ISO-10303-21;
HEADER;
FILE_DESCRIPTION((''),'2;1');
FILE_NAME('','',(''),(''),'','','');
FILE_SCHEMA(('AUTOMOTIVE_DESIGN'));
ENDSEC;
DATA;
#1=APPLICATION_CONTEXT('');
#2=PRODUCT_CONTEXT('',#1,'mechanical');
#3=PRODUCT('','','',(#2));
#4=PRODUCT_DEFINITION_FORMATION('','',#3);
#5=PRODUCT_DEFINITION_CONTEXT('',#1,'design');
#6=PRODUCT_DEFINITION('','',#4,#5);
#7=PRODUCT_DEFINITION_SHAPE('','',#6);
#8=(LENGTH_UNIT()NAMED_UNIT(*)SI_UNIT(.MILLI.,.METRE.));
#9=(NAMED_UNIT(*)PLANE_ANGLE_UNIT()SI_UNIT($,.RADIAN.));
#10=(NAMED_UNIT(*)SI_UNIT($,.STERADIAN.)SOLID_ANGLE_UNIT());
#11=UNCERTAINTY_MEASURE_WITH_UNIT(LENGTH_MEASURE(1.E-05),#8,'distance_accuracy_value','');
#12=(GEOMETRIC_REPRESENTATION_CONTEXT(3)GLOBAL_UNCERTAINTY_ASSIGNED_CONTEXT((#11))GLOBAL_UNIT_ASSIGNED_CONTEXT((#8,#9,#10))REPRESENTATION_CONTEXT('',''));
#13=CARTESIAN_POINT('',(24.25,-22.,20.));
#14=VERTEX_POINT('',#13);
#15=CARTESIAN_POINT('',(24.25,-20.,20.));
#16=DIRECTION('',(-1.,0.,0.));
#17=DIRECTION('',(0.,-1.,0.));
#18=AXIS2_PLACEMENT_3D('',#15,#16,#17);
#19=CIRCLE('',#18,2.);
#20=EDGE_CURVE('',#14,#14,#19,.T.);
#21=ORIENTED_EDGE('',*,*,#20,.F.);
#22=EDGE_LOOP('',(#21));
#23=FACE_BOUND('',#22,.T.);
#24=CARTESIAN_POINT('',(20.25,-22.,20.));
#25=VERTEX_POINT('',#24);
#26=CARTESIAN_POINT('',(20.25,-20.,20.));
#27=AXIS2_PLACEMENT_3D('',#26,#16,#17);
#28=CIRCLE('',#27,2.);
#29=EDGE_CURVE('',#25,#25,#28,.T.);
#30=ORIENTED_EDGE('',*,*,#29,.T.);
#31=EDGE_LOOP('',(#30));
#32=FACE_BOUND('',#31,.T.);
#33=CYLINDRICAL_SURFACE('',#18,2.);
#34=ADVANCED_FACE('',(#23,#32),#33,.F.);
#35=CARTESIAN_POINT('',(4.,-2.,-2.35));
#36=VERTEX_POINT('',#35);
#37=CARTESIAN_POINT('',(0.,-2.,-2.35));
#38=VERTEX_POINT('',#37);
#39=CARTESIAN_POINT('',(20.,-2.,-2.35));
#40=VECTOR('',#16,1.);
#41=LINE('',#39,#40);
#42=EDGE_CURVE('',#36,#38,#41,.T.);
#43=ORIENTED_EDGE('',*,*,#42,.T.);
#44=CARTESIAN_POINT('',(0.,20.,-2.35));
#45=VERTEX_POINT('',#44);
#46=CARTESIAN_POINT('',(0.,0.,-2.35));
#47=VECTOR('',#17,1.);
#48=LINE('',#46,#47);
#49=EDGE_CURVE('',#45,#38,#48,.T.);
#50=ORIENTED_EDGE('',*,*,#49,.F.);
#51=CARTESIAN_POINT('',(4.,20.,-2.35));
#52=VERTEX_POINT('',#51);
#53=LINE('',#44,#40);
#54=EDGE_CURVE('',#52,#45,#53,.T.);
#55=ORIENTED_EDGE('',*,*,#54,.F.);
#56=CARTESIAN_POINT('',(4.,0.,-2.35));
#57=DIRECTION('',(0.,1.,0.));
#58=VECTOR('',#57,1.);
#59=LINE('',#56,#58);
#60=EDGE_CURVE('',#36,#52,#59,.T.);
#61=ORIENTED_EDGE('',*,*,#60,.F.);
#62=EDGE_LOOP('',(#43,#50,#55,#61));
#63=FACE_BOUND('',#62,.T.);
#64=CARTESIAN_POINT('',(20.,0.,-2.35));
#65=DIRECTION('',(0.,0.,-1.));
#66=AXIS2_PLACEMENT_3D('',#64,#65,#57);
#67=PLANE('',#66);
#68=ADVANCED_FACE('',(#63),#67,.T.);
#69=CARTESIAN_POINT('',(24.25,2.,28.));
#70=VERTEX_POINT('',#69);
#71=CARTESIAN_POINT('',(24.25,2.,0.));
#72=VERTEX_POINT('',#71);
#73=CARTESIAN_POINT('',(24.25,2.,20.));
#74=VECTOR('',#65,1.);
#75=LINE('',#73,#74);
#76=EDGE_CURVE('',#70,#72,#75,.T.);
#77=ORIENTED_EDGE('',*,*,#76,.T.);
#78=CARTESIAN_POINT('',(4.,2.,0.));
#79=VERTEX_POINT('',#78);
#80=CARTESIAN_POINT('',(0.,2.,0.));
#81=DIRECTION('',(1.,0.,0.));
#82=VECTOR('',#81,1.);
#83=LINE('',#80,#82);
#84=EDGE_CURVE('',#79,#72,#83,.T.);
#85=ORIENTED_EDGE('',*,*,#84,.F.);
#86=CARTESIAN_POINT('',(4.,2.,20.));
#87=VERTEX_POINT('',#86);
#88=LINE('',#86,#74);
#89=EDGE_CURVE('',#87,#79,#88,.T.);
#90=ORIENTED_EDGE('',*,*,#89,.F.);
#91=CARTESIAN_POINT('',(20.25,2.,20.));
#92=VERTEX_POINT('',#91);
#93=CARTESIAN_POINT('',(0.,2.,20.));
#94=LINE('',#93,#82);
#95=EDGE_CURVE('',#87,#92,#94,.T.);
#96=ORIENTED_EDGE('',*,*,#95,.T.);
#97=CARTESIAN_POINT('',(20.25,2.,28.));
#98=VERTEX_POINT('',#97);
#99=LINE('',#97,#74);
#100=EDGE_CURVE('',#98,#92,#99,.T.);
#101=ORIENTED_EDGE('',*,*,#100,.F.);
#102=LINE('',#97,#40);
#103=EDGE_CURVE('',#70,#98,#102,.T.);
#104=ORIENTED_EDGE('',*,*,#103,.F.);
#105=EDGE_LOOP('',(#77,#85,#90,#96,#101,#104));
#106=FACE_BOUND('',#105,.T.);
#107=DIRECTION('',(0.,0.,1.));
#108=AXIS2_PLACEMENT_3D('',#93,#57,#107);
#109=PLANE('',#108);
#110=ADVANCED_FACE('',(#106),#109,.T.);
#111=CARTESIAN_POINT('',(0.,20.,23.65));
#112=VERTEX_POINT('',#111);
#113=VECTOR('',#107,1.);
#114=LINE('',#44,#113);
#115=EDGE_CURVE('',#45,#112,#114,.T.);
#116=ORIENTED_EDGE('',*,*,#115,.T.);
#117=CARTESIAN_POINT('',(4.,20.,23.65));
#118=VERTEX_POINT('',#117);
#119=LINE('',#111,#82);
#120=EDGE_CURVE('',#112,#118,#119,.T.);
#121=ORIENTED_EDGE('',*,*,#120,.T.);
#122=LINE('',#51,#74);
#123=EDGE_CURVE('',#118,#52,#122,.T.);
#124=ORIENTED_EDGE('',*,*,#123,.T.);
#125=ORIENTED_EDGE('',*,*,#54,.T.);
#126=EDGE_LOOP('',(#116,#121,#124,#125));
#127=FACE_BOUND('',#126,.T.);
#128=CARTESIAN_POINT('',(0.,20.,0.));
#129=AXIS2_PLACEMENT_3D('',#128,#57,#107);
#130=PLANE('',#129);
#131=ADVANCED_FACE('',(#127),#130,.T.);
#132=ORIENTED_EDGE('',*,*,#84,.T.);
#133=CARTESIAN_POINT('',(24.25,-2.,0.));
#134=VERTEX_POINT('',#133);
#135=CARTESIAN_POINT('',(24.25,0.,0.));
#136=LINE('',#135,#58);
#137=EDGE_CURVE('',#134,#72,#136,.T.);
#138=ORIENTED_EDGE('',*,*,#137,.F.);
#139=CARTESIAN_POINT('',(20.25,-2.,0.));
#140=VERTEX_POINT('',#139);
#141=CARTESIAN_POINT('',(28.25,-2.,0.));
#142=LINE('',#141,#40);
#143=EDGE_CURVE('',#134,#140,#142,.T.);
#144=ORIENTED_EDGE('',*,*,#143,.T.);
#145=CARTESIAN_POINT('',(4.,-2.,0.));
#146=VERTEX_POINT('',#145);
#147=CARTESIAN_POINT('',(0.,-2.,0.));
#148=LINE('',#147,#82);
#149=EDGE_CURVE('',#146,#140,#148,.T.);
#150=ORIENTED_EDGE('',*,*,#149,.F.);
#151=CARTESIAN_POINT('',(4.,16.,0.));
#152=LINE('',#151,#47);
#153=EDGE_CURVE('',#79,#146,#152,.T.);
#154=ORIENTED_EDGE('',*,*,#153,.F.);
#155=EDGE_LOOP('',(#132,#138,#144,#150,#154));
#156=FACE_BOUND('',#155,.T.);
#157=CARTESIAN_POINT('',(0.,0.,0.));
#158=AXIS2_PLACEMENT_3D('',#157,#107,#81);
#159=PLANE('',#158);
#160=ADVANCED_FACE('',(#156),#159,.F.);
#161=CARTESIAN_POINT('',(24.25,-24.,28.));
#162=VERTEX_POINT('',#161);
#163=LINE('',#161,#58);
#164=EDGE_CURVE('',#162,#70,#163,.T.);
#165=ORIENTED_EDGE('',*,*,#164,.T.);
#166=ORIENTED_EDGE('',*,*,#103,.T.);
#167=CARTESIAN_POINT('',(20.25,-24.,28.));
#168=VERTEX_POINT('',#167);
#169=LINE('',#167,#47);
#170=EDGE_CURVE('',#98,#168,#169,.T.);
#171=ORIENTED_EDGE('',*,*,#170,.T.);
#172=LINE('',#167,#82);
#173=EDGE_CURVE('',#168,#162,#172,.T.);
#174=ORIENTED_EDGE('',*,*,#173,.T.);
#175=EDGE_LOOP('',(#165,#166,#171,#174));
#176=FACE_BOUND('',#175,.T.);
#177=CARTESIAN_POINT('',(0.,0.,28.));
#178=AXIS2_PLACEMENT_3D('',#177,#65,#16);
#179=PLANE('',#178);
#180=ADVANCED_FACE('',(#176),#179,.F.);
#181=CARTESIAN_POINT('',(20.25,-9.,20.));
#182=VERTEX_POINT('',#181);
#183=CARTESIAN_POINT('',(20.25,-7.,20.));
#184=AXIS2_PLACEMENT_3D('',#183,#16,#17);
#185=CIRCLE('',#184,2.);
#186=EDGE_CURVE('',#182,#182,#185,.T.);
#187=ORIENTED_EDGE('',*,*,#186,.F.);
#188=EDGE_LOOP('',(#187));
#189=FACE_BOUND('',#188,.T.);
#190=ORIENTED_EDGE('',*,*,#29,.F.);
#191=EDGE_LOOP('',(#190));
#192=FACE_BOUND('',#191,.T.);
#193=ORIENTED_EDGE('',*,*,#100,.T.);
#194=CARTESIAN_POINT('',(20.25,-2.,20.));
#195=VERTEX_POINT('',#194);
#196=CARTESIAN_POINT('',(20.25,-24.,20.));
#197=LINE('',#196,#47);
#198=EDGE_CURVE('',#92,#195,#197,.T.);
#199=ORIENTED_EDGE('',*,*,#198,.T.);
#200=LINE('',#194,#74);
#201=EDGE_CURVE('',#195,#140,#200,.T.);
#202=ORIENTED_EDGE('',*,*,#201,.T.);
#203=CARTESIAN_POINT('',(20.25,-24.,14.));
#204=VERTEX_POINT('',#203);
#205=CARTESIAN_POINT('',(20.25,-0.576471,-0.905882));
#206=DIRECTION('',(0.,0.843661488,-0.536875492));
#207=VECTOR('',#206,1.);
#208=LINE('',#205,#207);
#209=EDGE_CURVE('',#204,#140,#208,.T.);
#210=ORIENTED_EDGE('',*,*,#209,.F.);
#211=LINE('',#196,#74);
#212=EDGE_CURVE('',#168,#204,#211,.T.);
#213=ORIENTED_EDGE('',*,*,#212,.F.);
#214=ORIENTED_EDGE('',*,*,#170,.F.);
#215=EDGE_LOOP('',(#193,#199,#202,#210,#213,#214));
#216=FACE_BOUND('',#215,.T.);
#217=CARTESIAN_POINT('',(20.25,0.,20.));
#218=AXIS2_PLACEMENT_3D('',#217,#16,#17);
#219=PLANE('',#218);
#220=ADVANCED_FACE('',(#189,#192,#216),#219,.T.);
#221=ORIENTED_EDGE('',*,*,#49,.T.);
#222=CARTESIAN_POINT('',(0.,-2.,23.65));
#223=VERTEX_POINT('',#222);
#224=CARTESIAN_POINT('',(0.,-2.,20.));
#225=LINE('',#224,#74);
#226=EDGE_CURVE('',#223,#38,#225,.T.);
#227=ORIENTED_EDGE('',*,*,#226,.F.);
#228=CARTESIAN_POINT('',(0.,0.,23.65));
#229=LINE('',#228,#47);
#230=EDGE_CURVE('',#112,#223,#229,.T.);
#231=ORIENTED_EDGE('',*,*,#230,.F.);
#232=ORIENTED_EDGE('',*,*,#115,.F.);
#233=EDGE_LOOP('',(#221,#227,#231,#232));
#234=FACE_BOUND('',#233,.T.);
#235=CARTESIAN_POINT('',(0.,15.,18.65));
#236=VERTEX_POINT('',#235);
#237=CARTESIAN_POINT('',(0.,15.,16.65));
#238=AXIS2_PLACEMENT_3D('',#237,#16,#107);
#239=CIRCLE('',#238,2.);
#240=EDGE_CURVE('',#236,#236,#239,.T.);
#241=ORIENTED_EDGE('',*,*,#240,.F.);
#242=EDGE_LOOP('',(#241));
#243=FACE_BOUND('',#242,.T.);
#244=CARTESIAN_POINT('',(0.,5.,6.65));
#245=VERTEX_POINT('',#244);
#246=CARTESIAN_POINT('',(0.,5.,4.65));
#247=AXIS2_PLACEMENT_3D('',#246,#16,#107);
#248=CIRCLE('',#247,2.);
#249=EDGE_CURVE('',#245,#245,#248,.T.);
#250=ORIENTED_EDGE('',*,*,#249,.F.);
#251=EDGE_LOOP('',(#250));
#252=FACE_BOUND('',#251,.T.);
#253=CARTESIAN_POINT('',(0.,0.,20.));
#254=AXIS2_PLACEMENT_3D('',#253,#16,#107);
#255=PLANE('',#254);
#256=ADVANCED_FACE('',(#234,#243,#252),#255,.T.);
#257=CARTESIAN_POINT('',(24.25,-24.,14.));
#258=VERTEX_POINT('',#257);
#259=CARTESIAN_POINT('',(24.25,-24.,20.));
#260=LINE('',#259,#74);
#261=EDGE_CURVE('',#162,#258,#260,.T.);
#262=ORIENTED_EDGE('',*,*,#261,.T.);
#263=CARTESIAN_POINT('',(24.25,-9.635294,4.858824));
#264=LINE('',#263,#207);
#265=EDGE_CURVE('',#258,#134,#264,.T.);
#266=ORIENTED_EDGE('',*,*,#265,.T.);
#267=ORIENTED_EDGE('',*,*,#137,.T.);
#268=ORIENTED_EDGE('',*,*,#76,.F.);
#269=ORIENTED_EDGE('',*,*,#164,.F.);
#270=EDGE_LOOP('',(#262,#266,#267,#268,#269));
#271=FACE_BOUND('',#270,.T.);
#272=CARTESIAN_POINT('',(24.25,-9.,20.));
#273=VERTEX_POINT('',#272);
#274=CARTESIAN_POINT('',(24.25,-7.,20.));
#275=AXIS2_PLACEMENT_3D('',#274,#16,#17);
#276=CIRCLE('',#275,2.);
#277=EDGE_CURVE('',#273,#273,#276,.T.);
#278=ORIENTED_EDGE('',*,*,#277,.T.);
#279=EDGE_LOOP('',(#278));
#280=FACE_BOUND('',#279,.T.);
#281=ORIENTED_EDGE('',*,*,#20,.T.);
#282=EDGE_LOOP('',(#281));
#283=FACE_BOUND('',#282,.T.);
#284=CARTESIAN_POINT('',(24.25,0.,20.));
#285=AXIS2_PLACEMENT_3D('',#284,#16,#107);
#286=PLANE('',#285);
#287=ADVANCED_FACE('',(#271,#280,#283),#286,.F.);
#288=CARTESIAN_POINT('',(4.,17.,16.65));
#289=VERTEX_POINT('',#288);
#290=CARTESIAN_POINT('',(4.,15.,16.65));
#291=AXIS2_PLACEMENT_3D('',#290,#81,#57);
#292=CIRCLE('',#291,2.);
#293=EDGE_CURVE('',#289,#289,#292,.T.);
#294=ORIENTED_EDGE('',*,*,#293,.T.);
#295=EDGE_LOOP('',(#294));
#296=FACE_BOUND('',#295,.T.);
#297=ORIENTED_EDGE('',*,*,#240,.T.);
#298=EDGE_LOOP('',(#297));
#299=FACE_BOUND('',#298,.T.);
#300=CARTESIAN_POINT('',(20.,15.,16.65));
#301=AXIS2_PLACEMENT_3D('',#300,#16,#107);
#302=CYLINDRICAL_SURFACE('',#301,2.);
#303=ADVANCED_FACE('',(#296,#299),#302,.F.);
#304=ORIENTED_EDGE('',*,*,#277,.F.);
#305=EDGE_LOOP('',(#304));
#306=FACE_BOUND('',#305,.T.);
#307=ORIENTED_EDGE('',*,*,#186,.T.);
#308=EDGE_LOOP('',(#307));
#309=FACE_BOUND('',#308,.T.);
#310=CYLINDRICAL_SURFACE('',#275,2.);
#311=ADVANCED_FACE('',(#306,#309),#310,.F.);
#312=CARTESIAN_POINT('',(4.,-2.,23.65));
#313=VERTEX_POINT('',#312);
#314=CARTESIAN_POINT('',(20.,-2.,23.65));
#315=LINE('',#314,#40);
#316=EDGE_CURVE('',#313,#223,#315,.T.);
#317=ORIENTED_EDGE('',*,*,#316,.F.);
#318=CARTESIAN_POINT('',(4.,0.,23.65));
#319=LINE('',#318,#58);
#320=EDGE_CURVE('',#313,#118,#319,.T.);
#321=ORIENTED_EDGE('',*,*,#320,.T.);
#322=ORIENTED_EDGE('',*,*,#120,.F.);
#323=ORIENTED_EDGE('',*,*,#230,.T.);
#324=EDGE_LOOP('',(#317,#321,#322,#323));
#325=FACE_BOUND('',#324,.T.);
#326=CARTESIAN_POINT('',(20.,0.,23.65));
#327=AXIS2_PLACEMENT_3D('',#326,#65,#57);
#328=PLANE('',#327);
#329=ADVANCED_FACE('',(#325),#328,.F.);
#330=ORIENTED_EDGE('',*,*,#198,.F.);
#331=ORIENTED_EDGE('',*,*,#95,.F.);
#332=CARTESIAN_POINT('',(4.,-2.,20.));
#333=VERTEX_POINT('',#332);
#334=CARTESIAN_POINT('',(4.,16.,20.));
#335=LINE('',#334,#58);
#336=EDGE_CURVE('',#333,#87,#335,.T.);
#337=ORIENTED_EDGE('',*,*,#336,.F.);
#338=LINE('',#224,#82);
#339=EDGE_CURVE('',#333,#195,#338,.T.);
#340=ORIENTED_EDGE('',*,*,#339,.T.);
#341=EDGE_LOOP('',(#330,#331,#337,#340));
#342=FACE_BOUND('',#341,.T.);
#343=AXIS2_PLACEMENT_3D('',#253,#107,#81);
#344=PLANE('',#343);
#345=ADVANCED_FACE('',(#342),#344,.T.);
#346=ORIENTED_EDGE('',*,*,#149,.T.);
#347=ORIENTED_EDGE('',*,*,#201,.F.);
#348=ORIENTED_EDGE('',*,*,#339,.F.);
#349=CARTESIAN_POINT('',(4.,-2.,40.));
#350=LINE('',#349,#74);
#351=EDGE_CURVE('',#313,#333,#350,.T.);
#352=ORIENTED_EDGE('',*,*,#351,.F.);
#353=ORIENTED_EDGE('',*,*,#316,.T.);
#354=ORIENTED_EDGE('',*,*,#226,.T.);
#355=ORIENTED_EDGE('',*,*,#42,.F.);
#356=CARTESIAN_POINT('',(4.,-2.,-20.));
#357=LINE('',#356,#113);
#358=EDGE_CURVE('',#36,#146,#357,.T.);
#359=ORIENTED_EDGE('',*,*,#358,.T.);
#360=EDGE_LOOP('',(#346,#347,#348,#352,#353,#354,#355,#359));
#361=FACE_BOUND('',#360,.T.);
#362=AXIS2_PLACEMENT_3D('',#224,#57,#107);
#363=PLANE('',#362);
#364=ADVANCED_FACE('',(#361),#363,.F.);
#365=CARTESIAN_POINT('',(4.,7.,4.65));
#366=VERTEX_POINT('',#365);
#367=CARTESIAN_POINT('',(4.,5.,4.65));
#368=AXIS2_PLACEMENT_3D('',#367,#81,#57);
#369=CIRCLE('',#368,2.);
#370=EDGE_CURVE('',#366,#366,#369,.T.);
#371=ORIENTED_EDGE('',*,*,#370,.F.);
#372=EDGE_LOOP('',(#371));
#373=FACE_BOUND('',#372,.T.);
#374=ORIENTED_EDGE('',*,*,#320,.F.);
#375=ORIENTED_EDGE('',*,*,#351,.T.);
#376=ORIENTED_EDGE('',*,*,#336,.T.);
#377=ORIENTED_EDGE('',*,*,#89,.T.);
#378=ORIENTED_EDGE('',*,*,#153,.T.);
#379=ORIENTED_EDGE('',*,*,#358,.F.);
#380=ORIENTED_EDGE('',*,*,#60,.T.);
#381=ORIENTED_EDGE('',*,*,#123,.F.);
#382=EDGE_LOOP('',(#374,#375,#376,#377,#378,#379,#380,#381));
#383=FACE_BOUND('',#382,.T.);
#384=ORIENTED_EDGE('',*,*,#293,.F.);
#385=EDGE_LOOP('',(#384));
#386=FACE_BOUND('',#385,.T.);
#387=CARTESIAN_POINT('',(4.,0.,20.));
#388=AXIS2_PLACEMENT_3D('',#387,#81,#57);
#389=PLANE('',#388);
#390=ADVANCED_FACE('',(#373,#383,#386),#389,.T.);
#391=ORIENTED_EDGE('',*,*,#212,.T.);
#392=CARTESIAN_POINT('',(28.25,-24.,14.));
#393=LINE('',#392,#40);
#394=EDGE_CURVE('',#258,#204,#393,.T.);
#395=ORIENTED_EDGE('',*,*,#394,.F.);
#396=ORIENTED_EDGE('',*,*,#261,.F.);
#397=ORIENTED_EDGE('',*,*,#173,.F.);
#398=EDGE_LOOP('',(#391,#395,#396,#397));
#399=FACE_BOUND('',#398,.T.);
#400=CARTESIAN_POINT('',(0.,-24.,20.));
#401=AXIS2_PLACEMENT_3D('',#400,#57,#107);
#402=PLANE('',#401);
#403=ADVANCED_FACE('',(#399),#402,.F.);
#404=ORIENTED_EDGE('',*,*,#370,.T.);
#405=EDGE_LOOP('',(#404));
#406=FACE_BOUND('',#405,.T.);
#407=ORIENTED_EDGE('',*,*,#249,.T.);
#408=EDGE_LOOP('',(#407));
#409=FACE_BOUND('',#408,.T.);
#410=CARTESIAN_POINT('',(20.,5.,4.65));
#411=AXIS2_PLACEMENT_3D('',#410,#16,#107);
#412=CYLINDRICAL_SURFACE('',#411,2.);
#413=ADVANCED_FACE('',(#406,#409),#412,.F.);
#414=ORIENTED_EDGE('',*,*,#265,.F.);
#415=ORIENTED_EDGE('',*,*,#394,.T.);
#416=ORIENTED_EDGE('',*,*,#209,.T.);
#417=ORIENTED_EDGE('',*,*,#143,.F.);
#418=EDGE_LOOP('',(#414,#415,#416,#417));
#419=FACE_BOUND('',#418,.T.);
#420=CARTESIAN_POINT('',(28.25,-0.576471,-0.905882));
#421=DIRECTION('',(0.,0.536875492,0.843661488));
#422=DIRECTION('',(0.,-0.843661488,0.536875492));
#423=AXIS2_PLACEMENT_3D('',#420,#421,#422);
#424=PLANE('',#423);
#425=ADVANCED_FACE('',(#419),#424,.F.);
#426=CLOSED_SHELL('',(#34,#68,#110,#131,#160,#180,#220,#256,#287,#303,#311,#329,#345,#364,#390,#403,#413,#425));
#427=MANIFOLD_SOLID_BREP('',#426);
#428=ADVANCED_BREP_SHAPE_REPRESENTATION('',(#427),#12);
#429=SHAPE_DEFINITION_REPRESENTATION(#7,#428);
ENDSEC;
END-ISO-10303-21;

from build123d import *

# Parameters (mm, degrees)
BOSS_EXTRU_1_DEPTH      = 20
ESQUISSE3_W             = 4
ESQUISSE3_H             = 18
BOSS_EXTRU_2_DEPTH      = 20
ESQUISSE4_W             = 4
ESQUISSE4_H             = 18
BOSS_EXTRU_3_DEPTH      = 20
ESQUISSE5_W             = 17.65
ESQUISSE5_H             = 18
ESQUISSE5_W_2           = 16.35
ESQUISSE5_R             = 2
ENL_V_MAT_EXTRU_1_DEPTH = 20
ESQUISSE6_W             = 4
ESQUISSE6_H             = 26
BOSS_EXTRU_4_DEPTH      = 4
ESQUISSE7_R             = 2
ENL_V_MAT_EXTRU_2_DEPTH = 4
ESQUISSE8_R             = 2
ENL_V_MAT_EXTRU_3_DEPTH = 4
ESQUISSE9_W             = 4
ESQUISSE9_H             = 26
BOSS_EXTRU_5_DEPTH      = 8
ENL_V_MAT_EXTRU_5_DEPTH = 8


with BuildPart() as part:
    # Esquisse1 → Boss.-Extru.1 (new body)
    with BuildSketch(Plane.XY):
        Polygon((0, 16), (0, 0), (24.25, 0), (24.25, 2), (4, 2), (4, 16), align=None)
        Polygon((24.25, 0), (0, 0), (0, -2), (20.25, -2), (20.25, -24), (24.25, -24), align=None)
    extrude(amount=BOSS_EXTRU_1_DEPTH)

    # Esquisse3 → Boss.-Extru.2 (add)
    with BuildSketch(Plane(origin=(0, 0, 0), x_dir=(-1, 0, 0), z_dir=(0, 0, -1))):
        with Locations((-2, 7)):
            Rectangle(ESQUISSE3_W, ESQUISSE3_H)
    extrude(amount=BOSS_EXTRU_2_DEPTH)

    # Esquisse4 → Boss.-Extru.3 (add)
    with BuildSketch(Plane.XY.offset(20)):
        with Locations((2, 7)):
            Rectangle(ESQUISSE4_W, ESQUISSE4_H)
    extrude(amount=BOSS_EXTRU_3_DEPTH)

    # Esquisse5 → Enlèv. mat.-Extru.1 (cut)
    with BuildSketch(Plane.ZY):
        with Locations((-11.175, 7)):
            Rectangle(ESQUISSE5_W, ESQUISSE5_H)
        with Locations((31.825, 7)):
            Rectangle(ESQUISSE5_W_2, ESQUISSE5_H)
        with Locations((16.65, 15)):
            Circle(ESQUISSE5_R)
        with Locations((4.65, 5)):
            Circle(ESQUISSE5_R)
    extrude(amount=-ENL_V_MAT_EXTRU_1_DEPTH, mode=Mode.SUBTRACT)

    # Esquisse6 → Boss.-Extru.4 (add)
    with BuildSketch(Plane(origin=(0, 16, 0), x_dir=(1, 0, 0), z_dir=(0, 1, 0))):
        with Locations((2, -10.65)):
            Rectangle(ESQUISSE6_W, ESQUISSE6_H)
    extrude(amount=BOSS_EXTRU_4_DEPTH)

    # Esquisse7 → Enlèv. mat.-Extru.2 (cut)
    with BuildSketch(Plane.ZY):
        with Locations((16.65, 15)):
            Circle(ESQUISSE7_R)
    extrude(amount=-ENL_V_MAT_EXTRU_2_DEPTH, mode=Mode.SUBTRACT)

    # Esquisse8 → Enlèv. mat.-Extru.3 (cut)
    with BuildSketch(Plane.ZY.offset(-20.25)):
        with Locations((20, -7)):
            Circle(ESQUISSE8_R)
        with Locations((20, -20)):
            Circle(ESQUISSE8_R)
    extrude(amount=-ENL_V_MAT_EXTRU_3_DEPTH, mode=Mode.SUBTRACT)

    # Esquisse9 → Boss.-Extru.5 (add)
    with BuildSketch(Plane.XY.offset(20)):
        with Locations((22.25, -11)):
            Rectangle(ESQUISSE9_W, ESQUISSE9_H)
    extrude(amount=BOSS_EXTRU_5_DEPTH)

    # Esquisse11 → Enlèv. mat.-Extru.5 (cut)
    with BuildSketch(Plane.ZY.offset(-20.25)):
        with BuildLine():
            ThreePointArc((20, -9), (21.414213562, -8.414213562), (22, -7))
            ThreePointArc((22, -7), (21.414213562, -5.585786438), (20, -5))
            Line((20, -5), (20, -9))
        make_face()
        with BuildLine():
            Line((20, -9), (20, -5))
            ThreePointArc((20, -5), (18, -7), (20, -9))
        make_face()
        with BuildLine():
            ThreePointArc((20, -22), (21.414213562, -21.414213562), (22, -20))
            ThreePointArc((22, -20), (21.414213562, -18.585786438), (20, -18))
            Line((20, -18), (20, -22))
        make_face()
        with BuildLine():
            Line((20, -22), (20, -18))
            ThreePointArc((20, -18), (18, -20), (20, -22))
        make_face()
        Polygon((14, -24), (0, -2), (0, -24), align=None)
    extrude(amount=-ENL_V_MAT_EXTRU_5_DEPTH, mode=Mode.SUBTRACT)


solid = part.part
